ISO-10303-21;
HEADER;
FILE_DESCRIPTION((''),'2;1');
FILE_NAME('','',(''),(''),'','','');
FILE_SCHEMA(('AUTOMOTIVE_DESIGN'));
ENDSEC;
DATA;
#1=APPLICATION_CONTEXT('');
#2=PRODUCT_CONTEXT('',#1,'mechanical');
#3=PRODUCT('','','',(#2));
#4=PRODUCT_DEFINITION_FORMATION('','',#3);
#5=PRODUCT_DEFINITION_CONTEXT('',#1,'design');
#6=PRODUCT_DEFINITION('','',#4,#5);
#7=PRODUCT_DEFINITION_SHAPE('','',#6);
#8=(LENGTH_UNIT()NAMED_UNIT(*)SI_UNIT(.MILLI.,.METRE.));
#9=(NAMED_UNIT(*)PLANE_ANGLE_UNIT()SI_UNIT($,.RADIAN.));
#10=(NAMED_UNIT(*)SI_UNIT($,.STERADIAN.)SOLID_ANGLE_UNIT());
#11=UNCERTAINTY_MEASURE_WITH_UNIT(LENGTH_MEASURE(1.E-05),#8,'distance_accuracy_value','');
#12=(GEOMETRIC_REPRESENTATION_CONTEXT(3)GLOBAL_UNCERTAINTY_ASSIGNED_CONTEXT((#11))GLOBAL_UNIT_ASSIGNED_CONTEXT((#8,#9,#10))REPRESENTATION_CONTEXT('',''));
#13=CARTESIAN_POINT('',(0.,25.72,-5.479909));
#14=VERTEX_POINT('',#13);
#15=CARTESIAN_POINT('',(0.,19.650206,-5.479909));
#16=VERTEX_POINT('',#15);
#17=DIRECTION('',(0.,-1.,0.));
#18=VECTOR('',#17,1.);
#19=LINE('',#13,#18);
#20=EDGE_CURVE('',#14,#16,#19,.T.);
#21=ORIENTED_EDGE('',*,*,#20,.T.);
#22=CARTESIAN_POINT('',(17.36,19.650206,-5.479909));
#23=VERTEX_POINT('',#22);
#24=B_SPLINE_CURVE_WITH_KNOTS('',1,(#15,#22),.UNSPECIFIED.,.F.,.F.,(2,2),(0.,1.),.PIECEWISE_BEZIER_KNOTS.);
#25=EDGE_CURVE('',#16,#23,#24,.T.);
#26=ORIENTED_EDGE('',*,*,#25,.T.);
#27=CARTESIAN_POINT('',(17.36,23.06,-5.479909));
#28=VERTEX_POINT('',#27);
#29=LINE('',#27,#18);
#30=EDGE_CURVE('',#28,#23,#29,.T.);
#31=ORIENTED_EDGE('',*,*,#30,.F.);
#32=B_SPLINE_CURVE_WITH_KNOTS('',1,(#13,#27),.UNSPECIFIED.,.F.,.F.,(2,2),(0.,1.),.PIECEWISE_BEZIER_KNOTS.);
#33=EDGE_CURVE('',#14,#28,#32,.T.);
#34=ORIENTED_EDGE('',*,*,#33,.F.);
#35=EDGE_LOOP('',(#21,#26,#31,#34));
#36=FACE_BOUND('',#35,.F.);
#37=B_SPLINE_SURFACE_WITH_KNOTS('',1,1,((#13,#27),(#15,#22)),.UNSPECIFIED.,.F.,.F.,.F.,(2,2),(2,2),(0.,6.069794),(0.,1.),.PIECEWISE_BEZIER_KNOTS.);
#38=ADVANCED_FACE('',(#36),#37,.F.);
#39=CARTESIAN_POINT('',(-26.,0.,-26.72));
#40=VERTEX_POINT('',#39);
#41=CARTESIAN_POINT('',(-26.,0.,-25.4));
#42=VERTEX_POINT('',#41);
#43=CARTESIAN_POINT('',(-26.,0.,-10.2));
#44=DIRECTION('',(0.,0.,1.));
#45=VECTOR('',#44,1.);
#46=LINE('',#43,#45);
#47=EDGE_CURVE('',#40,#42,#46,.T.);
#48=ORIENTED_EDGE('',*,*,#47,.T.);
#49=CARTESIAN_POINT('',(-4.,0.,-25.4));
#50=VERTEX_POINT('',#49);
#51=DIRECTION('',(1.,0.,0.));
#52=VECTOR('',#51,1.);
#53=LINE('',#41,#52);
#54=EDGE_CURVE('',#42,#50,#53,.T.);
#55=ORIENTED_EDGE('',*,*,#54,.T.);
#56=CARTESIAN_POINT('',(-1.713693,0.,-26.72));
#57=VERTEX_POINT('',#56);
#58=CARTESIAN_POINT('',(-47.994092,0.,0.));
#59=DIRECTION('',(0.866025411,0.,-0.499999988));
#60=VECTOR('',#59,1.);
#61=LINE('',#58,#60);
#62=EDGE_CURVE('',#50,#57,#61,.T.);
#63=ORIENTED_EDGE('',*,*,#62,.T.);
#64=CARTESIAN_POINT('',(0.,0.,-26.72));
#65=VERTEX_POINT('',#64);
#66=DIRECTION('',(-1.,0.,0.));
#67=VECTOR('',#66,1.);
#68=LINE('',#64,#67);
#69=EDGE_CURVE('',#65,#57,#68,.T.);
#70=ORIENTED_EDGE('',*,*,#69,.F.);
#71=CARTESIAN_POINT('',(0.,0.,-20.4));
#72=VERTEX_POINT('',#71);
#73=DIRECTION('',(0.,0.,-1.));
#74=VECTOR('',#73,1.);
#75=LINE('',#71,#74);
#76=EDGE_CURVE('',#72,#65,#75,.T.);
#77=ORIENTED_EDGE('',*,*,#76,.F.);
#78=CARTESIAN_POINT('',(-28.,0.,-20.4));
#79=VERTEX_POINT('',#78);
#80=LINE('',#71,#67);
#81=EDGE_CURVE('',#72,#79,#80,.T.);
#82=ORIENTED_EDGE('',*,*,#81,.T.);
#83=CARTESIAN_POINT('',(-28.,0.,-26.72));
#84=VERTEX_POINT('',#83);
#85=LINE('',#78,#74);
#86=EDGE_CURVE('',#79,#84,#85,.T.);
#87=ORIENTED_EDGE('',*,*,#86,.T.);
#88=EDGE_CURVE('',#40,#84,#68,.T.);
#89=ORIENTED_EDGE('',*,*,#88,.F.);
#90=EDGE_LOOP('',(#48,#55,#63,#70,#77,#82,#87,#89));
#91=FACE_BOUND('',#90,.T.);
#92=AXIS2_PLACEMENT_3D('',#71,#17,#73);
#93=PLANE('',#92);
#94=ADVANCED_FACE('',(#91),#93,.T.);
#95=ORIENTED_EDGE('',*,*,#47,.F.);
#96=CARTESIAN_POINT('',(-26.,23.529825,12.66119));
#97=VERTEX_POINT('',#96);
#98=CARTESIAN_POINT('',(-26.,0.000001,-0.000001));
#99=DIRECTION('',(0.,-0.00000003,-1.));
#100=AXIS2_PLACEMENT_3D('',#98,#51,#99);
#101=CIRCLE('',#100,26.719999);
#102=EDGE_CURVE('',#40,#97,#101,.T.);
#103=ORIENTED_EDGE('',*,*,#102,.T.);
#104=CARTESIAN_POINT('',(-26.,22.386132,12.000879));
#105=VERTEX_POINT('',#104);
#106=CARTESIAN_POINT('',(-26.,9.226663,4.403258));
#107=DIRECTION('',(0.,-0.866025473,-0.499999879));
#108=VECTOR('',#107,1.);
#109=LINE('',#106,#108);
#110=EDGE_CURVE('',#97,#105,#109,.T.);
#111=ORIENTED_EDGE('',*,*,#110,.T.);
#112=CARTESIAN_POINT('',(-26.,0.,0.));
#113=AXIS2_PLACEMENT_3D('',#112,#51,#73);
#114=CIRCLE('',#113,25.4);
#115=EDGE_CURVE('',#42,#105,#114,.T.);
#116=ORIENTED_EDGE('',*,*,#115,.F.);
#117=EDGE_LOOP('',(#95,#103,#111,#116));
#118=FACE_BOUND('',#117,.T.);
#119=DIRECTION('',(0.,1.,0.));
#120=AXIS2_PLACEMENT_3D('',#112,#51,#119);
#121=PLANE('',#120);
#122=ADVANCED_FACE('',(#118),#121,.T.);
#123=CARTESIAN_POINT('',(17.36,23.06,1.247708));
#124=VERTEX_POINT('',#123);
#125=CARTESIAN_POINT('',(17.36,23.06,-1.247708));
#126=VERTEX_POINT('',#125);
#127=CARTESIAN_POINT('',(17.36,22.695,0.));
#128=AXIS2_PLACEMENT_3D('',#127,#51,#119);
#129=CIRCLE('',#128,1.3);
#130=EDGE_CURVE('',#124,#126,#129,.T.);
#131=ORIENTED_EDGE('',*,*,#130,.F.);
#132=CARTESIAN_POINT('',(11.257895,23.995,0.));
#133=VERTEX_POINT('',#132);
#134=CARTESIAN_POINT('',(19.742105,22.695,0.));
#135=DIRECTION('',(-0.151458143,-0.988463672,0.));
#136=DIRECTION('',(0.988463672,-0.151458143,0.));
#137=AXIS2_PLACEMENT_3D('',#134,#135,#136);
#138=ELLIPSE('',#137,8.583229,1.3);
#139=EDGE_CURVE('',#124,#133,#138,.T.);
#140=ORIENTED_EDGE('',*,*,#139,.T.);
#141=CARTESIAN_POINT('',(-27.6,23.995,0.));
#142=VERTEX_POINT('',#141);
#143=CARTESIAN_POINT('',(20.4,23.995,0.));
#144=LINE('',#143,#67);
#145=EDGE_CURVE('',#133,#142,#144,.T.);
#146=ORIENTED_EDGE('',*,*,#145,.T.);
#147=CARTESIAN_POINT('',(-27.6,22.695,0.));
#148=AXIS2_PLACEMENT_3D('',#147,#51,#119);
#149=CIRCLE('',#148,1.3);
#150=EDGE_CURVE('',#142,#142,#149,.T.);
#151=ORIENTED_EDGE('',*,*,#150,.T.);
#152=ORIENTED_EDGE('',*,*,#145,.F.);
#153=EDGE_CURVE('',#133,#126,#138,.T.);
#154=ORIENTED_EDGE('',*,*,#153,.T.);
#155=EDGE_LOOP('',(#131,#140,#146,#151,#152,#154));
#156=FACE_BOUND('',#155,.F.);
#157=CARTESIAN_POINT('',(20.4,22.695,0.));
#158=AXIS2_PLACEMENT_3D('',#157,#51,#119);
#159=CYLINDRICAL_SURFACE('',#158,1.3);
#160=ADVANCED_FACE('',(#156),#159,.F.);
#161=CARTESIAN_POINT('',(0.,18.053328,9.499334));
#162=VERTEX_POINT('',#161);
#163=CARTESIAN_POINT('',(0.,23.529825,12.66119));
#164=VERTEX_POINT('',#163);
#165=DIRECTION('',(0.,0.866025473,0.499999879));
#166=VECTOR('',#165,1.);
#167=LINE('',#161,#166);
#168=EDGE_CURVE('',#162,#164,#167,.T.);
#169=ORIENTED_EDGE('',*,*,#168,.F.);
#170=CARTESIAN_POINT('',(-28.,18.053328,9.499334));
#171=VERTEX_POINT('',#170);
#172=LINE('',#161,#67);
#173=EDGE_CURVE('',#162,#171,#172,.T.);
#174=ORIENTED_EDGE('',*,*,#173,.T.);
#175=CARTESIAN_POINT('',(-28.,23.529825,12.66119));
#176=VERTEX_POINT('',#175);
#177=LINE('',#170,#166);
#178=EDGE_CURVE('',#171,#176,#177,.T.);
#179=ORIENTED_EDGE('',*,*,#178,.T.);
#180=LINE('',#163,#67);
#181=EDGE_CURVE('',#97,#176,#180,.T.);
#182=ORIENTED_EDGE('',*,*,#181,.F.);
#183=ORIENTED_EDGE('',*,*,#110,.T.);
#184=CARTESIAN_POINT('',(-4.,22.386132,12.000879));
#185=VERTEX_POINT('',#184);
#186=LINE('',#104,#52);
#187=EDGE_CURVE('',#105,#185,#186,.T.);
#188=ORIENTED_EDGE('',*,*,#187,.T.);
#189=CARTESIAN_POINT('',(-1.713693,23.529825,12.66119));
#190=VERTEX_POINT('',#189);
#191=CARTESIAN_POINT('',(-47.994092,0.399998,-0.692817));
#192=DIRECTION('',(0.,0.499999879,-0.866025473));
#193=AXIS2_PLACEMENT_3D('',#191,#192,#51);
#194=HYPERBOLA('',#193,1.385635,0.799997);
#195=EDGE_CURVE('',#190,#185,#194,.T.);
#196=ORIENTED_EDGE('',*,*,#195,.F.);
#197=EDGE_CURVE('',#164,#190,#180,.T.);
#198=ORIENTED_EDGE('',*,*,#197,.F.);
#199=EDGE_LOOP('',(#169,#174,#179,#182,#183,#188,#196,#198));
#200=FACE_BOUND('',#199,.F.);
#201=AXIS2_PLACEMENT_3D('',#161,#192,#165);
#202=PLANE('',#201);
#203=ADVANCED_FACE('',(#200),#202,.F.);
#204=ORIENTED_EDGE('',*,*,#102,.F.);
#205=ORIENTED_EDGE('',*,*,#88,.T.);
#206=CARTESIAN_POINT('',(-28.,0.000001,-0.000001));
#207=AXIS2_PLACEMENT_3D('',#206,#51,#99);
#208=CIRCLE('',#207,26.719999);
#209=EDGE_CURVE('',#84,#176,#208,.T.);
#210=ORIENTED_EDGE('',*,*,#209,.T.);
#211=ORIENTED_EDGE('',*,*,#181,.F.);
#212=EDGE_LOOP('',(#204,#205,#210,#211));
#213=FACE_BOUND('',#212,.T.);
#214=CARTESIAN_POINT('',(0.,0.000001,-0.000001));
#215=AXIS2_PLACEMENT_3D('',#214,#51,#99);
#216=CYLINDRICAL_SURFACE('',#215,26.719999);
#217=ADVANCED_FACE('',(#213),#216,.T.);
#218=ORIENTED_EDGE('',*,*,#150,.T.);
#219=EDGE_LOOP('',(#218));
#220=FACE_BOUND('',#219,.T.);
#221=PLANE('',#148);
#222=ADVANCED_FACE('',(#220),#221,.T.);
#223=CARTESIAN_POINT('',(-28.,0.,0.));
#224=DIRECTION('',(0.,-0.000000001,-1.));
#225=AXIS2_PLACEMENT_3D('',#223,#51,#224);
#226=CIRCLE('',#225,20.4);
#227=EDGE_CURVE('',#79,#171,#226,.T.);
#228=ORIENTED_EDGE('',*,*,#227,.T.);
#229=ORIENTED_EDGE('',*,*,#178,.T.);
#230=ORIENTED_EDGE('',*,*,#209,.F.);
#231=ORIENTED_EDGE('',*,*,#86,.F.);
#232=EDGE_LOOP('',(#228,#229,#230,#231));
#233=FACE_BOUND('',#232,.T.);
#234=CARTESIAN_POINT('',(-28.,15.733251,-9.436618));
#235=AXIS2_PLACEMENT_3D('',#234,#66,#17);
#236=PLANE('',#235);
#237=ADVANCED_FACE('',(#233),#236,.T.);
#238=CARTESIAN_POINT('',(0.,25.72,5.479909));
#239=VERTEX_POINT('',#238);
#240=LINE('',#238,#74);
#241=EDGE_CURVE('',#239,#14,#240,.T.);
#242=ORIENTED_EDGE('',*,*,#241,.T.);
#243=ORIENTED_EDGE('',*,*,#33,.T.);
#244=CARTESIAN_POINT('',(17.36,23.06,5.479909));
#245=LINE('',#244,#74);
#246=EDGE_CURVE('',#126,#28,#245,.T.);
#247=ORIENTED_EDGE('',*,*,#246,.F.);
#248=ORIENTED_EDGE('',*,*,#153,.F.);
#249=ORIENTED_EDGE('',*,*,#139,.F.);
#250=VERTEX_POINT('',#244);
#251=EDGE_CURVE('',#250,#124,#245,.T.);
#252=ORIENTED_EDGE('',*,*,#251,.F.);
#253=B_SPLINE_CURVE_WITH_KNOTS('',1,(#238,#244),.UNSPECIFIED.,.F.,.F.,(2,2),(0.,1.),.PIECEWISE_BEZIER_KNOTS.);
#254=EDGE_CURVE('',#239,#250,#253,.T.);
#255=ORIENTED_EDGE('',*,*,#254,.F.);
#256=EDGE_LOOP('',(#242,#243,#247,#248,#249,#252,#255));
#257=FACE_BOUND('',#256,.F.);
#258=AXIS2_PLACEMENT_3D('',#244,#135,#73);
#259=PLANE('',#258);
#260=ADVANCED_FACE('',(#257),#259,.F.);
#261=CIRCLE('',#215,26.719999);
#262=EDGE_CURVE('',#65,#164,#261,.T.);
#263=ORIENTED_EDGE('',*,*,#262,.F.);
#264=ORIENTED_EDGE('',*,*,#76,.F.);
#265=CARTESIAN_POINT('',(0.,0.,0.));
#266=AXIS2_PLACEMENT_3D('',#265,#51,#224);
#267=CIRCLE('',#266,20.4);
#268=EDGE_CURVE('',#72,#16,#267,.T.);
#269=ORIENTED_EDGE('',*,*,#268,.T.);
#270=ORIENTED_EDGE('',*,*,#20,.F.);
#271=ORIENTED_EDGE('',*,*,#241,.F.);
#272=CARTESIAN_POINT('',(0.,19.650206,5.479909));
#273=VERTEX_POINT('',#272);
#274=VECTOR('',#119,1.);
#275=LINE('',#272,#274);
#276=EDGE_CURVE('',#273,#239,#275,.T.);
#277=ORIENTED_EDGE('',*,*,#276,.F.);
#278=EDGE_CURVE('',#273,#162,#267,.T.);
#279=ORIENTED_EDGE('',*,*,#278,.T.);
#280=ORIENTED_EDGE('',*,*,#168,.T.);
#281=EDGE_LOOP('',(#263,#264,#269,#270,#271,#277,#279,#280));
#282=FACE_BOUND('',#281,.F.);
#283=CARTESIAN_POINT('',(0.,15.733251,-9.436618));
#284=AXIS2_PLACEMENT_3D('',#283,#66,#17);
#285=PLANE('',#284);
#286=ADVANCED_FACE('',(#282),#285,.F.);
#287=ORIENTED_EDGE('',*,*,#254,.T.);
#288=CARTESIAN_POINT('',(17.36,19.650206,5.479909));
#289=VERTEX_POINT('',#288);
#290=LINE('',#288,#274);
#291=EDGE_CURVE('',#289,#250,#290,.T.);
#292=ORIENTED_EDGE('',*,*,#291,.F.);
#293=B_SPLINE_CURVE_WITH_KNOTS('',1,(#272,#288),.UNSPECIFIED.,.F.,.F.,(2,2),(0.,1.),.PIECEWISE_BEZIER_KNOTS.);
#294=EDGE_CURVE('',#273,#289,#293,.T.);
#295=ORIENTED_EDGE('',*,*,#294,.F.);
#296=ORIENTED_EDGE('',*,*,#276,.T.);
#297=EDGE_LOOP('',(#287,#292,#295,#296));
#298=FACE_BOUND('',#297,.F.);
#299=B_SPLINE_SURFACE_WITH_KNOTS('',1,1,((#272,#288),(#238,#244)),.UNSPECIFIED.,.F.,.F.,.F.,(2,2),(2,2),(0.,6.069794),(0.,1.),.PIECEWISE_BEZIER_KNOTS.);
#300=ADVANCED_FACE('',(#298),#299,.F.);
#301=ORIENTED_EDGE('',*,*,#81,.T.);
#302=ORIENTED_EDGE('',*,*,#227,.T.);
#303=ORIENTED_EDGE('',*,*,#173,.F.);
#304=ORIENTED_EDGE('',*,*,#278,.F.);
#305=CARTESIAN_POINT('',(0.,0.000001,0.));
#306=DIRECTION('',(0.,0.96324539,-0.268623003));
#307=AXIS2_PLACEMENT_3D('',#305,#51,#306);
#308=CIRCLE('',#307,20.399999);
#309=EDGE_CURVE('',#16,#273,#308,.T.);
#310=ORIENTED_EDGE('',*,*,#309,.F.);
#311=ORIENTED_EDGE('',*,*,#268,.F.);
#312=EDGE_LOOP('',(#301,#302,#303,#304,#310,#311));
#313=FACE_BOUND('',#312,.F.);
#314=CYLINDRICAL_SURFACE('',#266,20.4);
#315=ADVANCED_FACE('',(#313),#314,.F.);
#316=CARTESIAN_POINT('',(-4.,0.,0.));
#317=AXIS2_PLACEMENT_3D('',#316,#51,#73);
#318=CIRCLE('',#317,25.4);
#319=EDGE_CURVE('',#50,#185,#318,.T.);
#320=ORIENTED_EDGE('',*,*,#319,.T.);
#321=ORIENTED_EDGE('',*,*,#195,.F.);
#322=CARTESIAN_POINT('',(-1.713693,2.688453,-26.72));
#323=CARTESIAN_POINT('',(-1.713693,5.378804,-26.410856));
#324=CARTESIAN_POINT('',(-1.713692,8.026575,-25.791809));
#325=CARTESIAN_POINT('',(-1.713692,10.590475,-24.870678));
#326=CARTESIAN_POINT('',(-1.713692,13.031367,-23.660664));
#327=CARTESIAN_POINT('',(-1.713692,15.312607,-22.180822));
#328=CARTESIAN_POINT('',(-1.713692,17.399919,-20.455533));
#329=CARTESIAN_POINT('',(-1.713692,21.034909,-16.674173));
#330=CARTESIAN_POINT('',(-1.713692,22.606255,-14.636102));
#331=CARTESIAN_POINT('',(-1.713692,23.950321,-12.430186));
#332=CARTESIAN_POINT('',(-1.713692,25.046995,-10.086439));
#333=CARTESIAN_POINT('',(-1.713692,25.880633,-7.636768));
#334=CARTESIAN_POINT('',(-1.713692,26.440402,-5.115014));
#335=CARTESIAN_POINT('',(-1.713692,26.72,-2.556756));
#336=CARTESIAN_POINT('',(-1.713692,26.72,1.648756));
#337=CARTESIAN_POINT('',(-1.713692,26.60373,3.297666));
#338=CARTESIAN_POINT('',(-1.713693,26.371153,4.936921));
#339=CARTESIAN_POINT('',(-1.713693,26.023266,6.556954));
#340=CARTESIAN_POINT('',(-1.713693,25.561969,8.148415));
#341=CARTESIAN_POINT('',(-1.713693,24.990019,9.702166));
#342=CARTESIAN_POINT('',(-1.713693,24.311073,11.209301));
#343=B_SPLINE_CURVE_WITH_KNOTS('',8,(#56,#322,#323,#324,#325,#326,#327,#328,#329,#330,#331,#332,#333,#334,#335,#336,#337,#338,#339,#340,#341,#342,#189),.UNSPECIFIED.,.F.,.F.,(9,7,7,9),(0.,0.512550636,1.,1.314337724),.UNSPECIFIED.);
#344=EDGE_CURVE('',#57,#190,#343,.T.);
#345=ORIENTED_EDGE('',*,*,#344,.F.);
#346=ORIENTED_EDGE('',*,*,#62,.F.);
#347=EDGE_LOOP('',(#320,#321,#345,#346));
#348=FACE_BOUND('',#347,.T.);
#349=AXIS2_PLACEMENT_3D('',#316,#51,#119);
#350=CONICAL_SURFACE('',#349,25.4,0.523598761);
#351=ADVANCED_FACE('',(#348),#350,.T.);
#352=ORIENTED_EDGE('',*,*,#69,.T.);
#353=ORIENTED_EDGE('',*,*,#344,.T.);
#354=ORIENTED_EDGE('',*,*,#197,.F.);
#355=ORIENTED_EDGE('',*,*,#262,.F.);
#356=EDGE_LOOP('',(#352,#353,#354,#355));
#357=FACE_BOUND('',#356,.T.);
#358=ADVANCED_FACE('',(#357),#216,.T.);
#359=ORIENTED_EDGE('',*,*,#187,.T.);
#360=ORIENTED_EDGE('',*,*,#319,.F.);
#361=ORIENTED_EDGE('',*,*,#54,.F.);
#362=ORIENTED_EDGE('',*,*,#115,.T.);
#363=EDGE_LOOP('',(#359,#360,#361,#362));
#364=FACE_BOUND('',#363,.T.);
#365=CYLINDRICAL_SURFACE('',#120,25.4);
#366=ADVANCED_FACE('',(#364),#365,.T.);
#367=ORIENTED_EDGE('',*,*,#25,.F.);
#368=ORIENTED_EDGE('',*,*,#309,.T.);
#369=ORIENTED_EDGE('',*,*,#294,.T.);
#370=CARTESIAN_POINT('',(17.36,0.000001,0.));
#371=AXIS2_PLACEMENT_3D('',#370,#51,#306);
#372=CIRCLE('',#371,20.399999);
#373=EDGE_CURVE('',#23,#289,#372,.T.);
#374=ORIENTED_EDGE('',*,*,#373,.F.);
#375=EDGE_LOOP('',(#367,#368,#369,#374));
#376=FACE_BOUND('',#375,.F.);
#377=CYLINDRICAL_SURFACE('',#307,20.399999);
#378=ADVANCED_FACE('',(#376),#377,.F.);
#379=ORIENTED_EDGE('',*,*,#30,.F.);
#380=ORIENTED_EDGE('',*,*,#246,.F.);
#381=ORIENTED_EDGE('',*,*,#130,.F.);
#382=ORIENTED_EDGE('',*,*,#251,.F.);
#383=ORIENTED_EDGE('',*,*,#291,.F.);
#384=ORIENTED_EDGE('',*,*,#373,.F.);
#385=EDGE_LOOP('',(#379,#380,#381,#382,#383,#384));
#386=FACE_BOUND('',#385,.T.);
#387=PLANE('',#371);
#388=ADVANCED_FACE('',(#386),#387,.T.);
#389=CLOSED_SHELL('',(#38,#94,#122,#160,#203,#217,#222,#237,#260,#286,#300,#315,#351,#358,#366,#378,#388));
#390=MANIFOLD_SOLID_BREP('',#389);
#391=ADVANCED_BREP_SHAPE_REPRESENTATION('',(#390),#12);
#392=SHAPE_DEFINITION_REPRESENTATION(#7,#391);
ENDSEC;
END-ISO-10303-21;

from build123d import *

# Parameters (mm, degrees)
PAD017_DEPTH    = 28
SKETCH059_R     = 1.3
POCKET008_DEPTH = 48


with BuildPart() as part:
    # Sketch055 → Pad017 (new body)
    with BuildSketch(Plane.YZ):
        with BuildLine():
            ThreePointArc((0, -20.4), (17.463482, -10.544515), (18.053328, 9.499334))
            Line((18.053328, 9.499334), (23.529825, 12.66119))
            ThreePointArc((0, -26.72), (22.937583, -13.704952), (23.529825, 12.66119))
            Line((0, -20.4), (0, -26.72))
        make_face()
    extrude(amount=-PAD017_DEPTH)

    # Sketch056 → AdditiveLoft002 section 0
    with BuildSketch(Plane.YZ):
        with BuildLine():
            Line((19.650206, 5.479909), (25.72, 5.479909))
            Line((25.72, 5.479909), (25.72, -5.479909))
            Line((25.72, -5.479909), (19.650206, -5.479909))
            ThreePointArc((19.650206, -5.479909), (20.4, 0), (19.650206, 5.479909))
        make_face()
    # Sketch057 → AdditiveLoft002 section 1
    with BuildSketch(Plane.YZ.offset(17.36)):
        with BuildLine():
            Line((19.650206, 5.479909), (23.06, 5.479909))
            Line((23.06, 5.479909), (23.06, -5.479909))
            Line((23.06, -5.479909), (19.650206, -5.479909))
            ThreePointArc((19.650206, -5.479909), (20.4, 0), (19.650206, 5.479909))
        make_face()
    loft()

    # Sketch058 → Groove001 (revolve, cut)
    with BuildSketch(Plane.XY):
        Polygon((-28, 27.4), (-26, 27.4), (-26, 25.4), (-4, 25.4), (0, 27.709401), (0, 63.2), (-28, 63.2), align=None)
    revolve(axis=Axis((0, 0, 0), (1, 0, 0)), mode=Mode.SUBTRACT)

    # Sketch059 → Pocket008 (cut)
    with BuildSketch(Plane.YZ.offset(20.4)):
        with Locations((22.695, 0)):
            Circle(SKETCH059_R)
    extrude(amount=-POCKET008_DEPTH, mode=Mode.SUBTRACT)


solid = part.part
